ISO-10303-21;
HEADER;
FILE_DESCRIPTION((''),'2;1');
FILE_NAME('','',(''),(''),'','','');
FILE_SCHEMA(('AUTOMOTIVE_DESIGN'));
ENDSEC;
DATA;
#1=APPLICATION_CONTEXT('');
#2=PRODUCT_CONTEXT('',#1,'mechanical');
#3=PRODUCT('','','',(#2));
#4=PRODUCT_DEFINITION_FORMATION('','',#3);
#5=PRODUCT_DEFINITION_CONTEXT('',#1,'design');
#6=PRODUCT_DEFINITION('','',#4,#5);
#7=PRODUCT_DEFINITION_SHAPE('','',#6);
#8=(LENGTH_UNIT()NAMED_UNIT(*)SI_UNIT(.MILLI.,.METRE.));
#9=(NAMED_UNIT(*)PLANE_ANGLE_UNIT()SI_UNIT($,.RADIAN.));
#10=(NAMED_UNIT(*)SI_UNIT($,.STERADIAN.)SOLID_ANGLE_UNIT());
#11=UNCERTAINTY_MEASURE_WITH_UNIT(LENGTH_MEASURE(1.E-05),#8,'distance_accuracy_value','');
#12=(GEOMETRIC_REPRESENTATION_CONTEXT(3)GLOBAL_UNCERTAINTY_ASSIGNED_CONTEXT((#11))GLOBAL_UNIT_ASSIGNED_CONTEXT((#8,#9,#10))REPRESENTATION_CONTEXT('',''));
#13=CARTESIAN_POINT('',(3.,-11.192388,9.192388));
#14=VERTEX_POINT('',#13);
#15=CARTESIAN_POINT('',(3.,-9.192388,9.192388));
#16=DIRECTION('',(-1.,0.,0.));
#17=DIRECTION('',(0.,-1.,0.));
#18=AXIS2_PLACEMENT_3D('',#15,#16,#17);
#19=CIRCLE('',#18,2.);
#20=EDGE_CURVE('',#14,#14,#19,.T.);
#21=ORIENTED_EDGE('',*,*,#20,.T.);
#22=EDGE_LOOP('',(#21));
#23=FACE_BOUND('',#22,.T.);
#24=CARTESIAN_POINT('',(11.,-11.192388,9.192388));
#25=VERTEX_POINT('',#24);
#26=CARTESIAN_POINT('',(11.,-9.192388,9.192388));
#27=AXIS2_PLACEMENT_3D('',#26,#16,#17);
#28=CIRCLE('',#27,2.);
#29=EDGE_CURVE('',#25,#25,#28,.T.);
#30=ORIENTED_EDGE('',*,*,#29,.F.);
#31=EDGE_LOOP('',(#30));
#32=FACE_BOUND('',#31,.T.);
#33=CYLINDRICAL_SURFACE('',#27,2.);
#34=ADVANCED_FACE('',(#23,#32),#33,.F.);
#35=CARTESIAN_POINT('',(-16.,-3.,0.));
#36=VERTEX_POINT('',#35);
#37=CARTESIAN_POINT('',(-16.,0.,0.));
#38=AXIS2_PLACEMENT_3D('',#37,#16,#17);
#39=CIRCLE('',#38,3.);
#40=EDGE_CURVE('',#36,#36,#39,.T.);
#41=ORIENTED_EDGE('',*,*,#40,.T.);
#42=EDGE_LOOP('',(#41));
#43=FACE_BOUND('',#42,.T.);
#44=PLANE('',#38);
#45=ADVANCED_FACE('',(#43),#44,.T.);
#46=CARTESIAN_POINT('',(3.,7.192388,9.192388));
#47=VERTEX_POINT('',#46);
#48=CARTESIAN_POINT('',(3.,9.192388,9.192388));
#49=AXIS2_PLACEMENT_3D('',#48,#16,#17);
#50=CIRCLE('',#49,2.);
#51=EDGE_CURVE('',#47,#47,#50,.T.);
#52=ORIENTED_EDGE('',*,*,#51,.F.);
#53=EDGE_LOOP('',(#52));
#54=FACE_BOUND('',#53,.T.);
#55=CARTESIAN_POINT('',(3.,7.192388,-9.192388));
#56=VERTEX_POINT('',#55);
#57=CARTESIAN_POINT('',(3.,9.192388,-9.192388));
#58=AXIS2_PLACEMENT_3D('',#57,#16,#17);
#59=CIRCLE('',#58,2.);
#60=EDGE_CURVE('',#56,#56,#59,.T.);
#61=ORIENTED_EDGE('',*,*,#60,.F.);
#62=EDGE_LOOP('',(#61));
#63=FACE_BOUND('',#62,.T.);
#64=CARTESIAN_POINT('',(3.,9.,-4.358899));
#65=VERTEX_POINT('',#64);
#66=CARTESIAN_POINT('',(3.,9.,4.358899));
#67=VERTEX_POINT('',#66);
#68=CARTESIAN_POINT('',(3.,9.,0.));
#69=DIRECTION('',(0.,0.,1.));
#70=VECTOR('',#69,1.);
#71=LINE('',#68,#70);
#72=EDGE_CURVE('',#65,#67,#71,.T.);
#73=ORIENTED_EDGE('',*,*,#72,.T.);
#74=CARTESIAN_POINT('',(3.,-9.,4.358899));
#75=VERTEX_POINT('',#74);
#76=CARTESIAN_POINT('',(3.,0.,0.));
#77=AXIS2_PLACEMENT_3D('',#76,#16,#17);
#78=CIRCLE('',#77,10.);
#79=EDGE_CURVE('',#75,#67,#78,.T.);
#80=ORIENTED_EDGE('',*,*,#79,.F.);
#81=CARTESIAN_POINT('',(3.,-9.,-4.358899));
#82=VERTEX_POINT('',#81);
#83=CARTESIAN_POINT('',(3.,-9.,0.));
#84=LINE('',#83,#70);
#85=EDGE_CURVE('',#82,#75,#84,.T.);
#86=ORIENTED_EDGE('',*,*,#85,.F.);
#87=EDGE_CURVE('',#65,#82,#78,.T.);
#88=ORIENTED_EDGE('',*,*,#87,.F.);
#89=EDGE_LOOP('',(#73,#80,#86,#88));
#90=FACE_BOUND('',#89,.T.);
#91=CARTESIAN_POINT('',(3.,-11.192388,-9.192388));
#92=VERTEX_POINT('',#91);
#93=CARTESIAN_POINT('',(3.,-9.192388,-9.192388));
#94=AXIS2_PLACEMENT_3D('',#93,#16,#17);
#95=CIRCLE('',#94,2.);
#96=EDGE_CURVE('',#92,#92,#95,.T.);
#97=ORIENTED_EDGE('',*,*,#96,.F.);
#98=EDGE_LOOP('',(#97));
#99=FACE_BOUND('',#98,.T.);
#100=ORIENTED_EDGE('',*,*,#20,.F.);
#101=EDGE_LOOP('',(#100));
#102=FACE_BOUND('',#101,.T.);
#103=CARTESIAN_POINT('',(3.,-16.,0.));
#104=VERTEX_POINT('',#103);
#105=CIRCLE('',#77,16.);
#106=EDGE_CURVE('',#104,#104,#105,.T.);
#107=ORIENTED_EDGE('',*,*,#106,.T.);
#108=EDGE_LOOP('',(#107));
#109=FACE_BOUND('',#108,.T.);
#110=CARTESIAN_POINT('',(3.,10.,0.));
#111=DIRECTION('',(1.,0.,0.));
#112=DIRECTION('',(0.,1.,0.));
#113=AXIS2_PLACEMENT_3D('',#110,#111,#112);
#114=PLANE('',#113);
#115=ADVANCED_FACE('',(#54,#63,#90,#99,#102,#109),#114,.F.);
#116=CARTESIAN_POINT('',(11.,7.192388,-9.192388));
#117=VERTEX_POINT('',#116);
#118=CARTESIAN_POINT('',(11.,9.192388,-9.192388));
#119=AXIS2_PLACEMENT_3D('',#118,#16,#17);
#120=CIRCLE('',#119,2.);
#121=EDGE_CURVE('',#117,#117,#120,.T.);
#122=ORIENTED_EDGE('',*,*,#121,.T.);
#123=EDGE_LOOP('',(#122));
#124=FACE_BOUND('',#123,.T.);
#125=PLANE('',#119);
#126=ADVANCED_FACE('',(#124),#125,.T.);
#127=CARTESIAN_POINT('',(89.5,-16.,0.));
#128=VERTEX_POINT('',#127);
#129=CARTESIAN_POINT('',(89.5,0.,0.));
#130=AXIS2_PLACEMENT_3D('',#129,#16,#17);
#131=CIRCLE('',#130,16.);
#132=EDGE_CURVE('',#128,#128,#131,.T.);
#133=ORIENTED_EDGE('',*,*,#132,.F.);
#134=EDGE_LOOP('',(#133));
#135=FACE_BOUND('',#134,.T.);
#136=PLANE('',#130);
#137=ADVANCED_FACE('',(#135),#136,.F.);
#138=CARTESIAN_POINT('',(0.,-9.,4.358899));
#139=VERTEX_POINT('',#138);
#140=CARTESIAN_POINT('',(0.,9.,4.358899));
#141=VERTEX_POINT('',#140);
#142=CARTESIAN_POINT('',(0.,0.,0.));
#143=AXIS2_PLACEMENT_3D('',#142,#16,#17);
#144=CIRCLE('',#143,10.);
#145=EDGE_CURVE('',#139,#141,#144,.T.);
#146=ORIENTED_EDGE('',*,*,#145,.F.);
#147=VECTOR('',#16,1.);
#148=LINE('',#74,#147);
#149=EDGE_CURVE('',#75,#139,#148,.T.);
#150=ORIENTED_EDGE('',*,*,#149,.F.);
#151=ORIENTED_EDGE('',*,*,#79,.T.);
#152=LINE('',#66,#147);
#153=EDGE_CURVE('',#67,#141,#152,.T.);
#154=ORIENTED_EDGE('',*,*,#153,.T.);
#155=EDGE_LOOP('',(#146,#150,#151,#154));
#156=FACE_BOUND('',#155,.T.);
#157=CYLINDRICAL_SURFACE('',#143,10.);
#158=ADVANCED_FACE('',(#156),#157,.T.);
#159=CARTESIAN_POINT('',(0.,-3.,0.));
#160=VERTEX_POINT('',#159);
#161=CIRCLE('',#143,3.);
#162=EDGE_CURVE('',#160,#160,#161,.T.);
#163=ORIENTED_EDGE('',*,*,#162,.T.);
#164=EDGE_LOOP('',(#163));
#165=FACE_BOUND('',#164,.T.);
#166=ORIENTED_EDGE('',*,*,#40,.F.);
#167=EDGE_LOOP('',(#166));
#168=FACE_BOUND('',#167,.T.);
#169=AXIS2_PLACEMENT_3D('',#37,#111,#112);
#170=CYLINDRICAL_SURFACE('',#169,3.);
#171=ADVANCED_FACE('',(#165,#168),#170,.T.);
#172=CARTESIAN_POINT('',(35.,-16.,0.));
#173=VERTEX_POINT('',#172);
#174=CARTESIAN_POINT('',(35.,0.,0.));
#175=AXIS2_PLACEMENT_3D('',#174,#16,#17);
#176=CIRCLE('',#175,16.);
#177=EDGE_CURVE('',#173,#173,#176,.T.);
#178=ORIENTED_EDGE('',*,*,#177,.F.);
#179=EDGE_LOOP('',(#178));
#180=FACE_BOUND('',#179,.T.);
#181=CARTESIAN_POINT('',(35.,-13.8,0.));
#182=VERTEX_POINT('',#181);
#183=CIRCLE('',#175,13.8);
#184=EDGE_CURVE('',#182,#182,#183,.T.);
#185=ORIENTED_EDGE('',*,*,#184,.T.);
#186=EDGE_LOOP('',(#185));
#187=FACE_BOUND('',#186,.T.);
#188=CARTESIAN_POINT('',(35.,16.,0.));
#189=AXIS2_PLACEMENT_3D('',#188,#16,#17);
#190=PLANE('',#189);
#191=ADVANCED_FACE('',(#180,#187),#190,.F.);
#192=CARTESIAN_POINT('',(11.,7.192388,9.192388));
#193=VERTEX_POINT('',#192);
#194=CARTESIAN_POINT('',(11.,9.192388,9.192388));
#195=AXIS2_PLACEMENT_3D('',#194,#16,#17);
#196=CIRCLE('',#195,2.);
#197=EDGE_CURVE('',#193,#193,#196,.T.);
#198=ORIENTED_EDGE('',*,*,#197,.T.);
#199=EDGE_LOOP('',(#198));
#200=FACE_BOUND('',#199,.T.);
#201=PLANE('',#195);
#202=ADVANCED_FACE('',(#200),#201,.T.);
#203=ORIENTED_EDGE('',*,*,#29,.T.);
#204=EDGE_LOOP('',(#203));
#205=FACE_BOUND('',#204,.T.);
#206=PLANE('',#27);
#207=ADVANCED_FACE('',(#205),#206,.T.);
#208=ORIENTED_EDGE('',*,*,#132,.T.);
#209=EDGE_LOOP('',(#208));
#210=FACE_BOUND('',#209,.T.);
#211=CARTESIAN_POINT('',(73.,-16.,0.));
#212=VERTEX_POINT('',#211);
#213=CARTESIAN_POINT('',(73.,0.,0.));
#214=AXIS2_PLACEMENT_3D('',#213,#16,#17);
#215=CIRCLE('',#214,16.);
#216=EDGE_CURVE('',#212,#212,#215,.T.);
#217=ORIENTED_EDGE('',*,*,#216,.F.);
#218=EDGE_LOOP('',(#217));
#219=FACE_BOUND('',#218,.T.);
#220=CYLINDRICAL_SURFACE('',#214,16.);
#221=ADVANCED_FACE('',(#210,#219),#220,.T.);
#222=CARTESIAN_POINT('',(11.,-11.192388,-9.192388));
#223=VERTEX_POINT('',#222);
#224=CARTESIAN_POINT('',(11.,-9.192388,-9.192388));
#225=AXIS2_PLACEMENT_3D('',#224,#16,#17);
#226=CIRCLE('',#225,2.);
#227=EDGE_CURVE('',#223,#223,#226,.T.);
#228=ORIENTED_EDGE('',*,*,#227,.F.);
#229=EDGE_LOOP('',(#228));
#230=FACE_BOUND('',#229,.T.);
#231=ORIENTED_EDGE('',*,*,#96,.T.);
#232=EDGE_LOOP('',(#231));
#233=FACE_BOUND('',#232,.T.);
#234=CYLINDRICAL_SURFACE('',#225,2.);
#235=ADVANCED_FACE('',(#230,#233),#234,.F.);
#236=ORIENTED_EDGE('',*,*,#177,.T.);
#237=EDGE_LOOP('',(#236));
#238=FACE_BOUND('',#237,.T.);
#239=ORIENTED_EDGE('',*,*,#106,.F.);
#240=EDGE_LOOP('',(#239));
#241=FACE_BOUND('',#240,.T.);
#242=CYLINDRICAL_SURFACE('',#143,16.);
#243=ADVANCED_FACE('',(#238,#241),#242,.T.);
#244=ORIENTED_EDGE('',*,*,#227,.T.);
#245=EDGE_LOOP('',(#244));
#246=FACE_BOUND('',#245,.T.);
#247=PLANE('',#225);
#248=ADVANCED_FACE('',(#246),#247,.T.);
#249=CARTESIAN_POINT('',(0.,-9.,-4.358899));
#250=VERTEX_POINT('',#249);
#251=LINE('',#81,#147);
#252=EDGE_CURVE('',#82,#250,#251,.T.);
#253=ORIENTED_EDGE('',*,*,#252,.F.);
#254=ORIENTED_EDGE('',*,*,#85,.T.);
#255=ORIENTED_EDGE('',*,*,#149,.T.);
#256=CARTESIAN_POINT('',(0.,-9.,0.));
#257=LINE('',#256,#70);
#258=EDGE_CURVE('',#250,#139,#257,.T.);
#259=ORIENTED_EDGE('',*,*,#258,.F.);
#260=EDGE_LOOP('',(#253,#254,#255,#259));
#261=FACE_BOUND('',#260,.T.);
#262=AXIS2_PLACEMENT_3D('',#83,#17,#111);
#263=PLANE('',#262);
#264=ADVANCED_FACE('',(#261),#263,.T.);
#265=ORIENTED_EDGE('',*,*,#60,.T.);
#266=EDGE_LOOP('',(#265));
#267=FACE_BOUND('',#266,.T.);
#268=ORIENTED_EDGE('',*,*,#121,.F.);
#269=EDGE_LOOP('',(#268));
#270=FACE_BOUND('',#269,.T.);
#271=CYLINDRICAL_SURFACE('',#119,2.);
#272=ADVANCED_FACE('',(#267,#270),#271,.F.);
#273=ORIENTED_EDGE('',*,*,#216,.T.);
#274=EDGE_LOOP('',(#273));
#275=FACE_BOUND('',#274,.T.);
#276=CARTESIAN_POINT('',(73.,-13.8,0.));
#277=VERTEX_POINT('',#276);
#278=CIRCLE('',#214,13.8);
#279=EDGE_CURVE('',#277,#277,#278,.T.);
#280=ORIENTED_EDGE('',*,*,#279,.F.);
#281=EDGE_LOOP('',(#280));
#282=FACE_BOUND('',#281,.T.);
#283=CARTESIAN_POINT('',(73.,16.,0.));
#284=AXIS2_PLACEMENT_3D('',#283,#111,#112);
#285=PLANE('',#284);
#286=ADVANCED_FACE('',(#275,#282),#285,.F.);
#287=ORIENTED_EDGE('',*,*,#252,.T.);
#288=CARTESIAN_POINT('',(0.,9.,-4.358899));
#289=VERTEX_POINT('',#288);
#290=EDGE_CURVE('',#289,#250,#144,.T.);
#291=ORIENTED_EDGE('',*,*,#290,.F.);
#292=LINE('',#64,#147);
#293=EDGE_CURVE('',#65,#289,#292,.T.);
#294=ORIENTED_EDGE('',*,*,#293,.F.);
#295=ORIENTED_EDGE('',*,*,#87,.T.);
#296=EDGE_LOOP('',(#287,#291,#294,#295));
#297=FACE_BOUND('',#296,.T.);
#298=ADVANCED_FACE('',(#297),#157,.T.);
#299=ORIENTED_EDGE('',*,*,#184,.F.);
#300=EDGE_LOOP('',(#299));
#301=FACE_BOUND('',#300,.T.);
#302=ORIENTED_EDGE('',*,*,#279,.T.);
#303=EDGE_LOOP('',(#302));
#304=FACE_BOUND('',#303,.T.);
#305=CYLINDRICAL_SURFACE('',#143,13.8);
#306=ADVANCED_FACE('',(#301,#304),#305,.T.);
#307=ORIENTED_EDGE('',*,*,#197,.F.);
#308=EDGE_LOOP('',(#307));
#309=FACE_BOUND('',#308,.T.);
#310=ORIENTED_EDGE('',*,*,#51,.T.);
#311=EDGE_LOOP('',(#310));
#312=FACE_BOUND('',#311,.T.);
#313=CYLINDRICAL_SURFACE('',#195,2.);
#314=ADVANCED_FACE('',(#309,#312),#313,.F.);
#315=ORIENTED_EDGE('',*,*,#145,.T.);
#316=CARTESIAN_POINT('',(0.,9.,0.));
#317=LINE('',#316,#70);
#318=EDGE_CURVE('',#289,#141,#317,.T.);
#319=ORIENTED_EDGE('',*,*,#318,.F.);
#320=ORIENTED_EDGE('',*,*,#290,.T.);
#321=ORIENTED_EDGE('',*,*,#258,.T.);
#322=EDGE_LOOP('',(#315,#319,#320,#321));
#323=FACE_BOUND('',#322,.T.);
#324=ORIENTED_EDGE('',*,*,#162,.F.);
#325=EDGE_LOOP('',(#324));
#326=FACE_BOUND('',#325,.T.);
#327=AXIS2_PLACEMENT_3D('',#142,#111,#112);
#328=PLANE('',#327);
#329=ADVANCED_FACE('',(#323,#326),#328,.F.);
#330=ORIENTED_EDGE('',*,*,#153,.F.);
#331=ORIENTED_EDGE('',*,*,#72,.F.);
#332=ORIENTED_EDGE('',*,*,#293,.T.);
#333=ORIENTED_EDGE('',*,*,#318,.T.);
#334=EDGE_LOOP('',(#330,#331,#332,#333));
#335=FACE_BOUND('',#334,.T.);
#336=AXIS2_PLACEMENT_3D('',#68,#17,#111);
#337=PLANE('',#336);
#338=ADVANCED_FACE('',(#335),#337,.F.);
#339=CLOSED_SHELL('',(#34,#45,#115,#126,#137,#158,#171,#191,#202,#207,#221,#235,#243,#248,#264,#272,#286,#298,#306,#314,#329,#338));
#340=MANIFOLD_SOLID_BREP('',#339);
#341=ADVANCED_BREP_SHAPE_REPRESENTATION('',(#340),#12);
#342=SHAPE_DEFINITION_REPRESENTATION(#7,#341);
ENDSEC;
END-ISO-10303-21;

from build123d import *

# Parameters (mm, degrees)
SKETCH2_W           = 16.5
SKETCH2_H           = 16
SKETCH4_R           = 2
CUT_EXTRUDE1_DEPTH  = 8
SKETCH5_R           = 3
BOSS_EXTRUDE1_DEPTH = 16
CUT_EXTRUDE2_START  = -3
CUT_EXTRUDE2_DEPTH  = 3


with BuildPart() as part:
    # Sketch1 → Revolve1 (revolve)
    with BuildSketch(Plane.XY, mode=Mode.PRIVATE) as revolve1_sk:
        Polygon((0, 0), (0, 10), (3, 10), (3, 16), (35, 16), (35, 13.8), (73, 13.8), (73, 0), align=None)
    revolve(revolve1_sk.sketch.rotate(Axis((0, 0, 0), (1, 0, 0)), 180), axis=Axis((0, 0, 0), (1, 0, 0)))

    # Sketch2 → Revolve2 (revolve)
    with BuildSketch(Plane.XY, mode=Mode.PRIVATE) as revolve2_sk:
        with Locations((81.25, 8)):
            Rectangle(SKETCH2_W, SKETCH2_H)
    revolve(revolve2_sk.sketch.rotate(Axis((73, 0, 0), (1, 0, 0)), 180), axis=Axis((73, 0, 0), (1, 0, 0)))

    # Sketch4 → Cut-Extrude1 (cut)
    with BuildSketch(Plane.ZY.offset(-3)):
        with Locations(Location((9.192388155, 9.192388155, 0), (0, 0, 270))):
            Circle(SKETCH4_R)
        with Locations(Location((9.192388155, -9.192388155, 0), (0, 0, 270))):
            Circle(SKETCH4_R)
        with Locations(Location((-9.192388155, -9.192388155, 0), (0, 0, 270))):
            Circle(SKETCH4_R)
        with Locations(Location((-9.192388155, 9.192388155, 0), (0, 0, 270))):
            Circle(SKETCH4_R)
    extrude(amount=-CUT_EXTRUDE1_DEPTH, mode=Mode.SUBTRACT)

    # Sketch5 → Boss-Extrude1 (add)
    with BuildSketch(Plane.ZY):
        with Locations(Location((0, 0, 0), (0, 0, 270))):
            Circle(SKETCH5_R)
    extrude(amount=BOSS_EXTRUDE1_DEPTH)

    # Sketch6 → Cut-Extrude2 (cut)
    with BuildSketch(Plane.ZY.offset(CUT_EXTRUDE2_START)):
        with BuildLine():
            Line((4.358898944, -9), (-4.358898944, -9))
            ThreePointArc((-4.358898944, -9), (0, -10), (4.358898944, -9))
        make_face()
        with BuildLine():
            ThreePointArc((4.358898944, 9), (0, 10), (-4.358898944, 9))
            Line((-4.358898944, 9), (4.358898944, 9))
        make_face()
    extrude(amount=CUT_EXTRUDE2_DEPTH, mode=Mode.SUBTRACT)


solid = part.part
